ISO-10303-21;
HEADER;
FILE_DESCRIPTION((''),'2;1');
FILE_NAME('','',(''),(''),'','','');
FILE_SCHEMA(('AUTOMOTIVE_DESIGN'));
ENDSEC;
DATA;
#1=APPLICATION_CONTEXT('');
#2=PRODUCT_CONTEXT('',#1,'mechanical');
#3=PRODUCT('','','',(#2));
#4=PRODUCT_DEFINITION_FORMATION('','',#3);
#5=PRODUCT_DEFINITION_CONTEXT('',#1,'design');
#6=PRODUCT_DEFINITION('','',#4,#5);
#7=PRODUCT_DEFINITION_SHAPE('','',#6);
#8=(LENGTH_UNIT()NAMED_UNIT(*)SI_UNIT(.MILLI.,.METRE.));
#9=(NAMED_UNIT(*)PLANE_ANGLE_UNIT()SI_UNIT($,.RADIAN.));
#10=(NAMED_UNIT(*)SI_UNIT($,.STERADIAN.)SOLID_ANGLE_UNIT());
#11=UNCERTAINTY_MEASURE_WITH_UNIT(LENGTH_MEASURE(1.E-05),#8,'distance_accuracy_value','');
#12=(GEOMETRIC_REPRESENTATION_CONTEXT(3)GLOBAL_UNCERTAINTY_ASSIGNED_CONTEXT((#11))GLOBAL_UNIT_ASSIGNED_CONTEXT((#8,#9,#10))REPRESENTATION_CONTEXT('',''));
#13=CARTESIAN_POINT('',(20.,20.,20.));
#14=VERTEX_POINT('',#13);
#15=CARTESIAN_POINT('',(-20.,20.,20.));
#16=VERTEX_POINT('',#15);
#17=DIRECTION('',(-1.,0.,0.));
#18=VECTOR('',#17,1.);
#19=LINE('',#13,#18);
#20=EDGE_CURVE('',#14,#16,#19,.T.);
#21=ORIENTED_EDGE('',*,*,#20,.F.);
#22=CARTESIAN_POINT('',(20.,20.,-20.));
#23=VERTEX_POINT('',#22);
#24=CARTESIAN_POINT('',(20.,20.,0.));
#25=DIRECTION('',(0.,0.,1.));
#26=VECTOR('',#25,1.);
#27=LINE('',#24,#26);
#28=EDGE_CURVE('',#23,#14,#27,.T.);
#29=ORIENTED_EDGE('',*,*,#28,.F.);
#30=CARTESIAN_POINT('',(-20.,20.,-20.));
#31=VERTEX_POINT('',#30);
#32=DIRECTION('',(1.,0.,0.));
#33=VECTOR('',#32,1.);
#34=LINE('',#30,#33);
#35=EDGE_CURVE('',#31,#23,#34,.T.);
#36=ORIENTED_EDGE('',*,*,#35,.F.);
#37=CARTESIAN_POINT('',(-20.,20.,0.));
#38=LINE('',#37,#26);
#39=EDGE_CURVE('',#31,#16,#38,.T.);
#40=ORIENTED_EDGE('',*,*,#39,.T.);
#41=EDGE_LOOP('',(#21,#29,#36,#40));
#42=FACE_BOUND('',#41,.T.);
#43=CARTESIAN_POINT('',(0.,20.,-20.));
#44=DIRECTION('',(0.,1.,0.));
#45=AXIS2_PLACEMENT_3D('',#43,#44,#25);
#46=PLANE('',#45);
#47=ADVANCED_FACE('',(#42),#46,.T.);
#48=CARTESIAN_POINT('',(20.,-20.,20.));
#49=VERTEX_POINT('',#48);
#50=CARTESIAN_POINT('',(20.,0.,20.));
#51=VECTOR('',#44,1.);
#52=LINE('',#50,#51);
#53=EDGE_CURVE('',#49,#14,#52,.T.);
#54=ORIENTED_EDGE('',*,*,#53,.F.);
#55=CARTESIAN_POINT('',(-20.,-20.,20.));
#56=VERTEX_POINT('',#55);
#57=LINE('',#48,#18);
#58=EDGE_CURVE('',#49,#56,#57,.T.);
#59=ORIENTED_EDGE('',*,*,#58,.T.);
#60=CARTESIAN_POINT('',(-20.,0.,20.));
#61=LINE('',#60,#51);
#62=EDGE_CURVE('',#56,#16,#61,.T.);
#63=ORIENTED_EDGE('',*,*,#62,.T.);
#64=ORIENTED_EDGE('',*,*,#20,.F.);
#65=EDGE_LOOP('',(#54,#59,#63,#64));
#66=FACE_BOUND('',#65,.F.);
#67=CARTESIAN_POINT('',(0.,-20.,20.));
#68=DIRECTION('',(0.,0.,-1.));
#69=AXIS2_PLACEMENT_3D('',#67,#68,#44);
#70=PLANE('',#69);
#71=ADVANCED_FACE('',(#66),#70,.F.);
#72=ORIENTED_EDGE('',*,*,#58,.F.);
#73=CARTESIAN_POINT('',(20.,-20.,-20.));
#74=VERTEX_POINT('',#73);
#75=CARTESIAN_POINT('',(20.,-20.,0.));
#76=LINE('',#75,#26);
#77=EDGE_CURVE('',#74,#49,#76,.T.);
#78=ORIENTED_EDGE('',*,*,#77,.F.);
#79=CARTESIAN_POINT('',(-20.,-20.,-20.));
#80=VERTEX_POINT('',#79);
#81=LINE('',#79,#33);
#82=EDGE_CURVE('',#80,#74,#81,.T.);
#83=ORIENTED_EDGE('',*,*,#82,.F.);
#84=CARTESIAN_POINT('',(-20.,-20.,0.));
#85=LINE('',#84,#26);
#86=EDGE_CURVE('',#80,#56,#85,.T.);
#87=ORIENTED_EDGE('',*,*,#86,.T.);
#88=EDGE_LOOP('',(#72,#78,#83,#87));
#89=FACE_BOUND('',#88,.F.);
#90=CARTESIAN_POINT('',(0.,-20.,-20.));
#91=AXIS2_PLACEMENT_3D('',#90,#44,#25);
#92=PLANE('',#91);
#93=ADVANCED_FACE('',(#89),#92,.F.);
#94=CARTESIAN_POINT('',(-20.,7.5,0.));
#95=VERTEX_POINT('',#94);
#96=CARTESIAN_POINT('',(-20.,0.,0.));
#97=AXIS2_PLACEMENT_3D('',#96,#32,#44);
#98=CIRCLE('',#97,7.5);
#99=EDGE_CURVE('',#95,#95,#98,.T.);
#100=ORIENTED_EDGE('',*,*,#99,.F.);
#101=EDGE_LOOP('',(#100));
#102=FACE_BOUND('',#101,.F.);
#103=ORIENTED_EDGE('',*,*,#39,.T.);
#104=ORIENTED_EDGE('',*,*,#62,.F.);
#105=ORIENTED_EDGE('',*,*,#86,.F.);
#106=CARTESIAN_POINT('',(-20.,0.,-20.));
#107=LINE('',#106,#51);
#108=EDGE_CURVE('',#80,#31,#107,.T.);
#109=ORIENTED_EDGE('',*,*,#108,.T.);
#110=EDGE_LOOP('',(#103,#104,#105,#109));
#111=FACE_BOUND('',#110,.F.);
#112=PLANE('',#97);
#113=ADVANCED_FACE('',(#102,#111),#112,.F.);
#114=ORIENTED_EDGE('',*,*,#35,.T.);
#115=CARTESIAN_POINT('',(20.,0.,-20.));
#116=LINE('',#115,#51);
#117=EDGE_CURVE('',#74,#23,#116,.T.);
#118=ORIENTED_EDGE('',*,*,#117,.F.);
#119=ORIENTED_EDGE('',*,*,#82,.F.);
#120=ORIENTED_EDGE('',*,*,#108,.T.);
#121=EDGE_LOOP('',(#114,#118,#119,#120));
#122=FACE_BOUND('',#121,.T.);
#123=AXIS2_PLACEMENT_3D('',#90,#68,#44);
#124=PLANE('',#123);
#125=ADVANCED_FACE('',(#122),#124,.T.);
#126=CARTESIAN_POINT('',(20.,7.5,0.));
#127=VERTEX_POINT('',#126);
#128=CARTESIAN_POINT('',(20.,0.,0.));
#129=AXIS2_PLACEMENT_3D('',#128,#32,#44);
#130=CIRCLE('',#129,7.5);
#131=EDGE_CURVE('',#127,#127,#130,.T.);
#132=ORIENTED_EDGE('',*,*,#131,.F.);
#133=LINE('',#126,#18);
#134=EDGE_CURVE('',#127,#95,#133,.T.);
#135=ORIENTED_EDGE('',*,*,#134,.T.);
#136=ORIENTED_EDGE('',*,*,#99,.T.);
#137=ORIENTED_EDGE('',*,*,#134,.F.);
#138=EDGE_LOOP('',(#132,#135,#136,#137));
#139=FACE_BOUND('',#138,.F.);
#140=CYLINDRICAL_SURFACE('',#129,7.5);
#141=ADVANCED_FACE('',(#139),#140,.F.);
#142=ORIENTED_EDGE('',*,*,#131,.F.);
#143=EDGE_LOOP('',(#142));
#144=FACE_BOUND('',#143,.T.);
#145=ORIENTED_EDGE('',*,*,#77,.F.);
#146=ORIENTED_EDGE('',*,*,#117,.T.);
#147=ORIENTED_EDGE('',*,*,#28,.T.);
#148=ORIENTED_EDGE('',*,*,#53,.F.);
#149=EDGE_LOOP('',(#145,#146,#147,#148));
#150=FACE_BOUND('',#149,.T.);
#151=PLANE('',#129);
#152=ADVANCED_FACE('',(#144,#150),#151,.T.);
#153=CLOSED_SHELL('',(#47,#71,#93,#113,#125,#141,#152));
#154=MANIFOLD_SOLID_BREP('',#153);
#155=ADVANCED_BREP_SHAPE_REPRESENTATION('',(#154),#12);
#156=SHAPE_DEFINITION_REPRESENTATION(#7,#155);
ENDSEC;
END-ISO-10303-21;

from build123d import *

# Parameters (mm, degrees)
F0_W     = 40
F0_H     = 40
F1_DEPTH = 20
F2_R     = 7.5
F3_DEPTH = 40.001


with BuildPart() as f1:
    # F0 (on Right) → F1 (new body, symmetric)
    with BuildSketch(Plane.YZ):
        Rectangle(F0_W, F0_H)
    extrude(amount=F1_DEPTH, both=True)

    # F2 (on face) → F3 (cut, through all)
    with BuildSketch(Plane.YZ.offset(20)):
        Circle(F2_R)
    extrude(amount=-F3_DEPTH, mode=Mode.SUBTRACT)


solid = f1.part
